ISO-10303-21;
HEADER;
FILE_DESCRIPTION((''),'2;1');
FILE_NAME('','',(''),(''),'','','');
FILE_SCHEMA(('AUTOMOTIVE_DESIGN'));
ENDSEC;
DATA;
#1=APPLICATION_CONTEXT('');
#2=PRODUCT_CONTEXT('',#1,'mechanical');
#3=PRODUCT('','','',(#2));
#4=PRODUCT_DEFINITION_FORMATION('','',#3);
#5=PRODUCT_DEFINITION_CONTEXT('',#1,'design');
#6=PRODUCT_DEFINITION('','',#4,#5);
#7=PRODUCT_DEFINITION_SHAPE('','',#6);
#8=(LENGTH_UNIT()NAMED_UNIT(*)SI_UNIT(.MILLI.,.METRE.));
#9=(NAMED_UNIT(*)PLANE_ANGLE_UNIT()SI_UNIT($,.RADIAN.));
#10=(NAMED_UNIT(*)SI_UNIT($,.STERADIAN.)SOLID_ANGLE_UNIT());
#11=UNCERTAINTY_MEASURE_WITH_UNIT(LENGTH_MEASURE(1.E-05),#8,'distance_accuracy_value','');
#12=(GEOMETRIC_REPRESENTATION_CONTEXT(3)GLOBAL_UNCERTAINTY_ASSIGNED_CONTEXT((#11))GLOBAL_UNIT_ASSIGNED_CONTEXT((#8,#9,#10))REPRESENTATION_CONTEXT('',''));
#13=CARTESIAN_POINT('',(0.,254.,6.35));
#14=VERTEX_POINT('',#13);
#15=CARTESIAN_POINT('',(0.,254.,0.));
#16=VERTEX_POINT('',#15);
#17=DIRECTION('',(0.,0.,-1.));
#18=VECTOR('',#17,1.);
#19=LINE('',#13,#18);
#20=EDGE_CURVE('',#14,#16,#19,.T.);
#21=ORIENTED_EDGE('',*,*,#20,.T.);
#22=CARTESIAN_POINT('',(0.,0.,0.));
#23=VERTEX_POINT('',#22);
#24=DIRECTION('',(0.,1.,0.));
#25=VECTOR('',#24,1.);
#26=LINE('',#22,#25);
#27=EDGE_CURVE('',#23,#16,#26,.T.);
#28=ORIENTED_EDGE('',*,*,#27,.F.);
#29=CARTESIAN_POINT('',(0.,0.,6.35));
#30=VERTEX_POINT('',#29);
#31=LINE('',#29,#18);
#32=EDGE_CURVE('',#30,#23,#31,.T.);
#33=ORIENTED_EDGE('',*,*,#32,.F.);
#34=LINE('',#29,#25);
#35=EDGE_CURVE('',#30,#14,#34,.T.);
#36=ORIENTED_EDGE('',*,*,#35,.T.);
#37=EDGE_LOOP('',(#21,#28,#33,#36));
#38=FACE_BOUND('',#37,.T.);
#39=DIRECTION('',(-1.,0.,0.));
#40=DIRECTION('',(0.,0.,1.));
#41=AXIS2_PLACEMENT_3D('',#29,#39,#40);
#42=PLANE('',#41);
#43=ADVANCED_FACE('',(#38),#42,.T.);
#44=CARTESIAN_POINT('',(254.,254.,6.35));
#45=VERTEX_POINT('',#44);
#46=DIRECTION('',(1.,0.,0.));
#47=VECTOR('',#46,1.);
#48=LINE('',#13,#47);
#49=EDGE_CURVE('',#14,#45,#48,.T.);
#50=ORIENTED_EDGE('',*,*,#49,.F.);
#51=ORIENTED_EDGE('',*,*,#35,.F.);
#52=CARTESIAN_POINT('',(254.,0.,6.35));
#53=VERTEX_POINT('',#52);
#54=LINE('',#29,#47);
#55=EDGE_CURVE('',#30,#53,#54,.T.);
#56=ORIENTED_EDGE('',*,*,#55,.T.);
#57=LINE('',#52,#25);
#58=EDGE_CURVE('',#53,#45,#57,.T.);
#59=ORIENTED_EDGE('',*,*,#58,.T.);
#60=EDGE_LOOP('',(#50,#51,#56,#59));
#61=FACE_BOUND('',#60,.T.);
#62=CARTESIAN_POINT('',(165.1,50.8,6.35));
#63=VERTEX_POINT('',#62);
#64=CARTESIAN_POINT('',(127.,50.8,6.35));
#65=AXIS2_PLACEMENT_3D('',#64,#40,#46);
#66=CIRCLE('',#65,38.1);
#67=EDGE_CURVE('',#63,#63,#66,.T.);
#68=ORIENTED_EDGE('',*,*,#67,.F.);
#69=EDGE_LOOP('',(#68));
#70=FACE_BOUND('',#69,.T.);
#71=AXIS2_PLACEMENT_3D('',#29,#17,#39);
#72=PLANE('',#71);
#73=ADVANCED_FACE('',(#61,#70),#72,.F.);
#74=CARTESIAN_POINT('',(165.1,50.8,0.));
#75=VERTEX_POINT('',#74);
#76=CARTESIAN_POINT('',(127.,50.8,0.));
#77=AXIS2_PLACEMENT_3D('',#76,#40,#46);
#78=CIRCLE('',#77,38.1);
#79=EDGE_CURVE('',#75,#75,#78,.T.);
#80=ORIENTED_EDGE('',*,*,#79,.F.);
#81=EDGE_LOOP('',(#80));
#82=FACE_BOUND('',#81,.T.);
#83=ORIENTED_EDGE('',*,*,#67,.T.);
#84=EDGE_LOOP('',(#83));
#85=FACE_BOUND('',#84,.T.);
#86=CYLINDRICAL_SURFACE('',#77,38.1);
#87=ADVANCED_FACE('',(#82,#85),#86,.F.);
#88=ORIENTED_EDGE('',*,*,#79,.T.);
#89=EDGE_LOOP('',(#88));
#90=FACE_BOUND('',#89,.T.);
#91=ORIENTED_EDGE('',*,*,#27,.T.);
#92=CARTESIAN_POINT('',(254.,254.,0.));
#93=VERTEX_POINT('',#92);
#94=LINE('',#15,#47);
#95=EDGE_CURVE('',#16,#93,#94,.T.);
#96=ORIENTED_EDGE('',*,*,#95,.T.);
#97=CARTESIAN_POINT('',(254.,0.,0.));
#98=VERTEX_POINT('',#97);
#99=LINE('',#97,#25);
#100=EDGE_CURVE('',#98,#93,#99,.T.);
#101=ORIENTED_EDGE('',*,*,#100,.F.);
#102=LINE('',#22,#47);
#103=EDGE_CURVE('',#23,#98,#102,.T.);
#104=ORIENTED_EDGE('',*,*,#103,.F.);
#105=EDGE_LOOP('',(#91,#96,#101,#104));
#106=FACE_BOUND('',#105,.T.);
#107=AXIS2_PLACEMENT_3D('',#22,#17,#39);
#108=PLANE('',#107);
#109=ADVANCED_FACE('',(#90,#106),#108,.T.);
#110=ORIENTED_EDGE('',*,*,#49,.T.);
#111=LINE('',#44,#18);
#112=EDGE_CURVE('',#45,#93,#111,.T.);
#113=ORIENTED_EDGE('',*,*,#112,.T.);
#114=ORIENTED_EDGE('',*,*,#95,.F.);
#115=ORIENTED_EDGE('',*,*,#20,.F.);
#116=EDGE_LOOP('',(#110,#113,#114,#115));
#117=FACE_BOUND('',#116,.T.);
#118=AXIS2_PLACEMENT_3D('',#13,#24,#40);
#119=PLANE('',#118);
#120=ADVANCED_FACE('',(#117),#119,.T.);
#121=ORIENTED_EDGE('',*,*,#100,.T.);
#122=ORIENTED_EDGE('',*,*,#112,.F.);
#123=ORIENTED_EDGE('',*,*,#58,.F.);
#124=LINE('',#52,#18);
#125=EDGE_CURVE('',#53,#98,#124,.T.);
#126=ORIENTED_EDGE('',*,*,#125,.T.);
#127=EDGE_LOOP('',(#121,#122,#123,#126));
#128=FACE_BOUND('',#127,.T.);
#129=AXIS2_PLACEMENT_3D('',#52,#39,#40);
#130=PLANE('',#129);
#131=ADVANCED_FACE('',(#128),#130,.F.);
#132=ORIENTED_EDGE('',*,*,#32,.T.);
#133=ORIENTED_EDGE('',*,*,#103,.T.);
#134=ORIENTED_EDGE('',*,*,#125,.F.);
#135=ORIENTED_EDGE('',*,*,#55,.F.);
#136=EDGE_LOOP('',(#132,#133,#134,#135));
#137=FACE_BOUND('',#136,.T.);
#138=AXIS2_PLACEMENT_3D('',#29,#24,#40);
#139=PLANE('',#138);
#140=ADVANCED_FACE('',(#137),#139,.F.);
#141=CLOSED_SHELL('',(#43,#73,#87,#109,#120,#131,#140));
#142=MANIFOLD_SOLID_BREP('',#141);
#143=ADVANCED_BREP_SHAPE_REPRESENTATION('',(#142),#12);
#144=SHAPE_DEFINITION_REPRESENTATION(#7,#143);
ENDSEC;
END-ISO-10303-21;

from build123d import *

# Parameters (mm, degrees)
SKETCH1_W           = 254
SKETCH1_H           = 254
BOSS_EXTRUDE1_DEPTH = 6.35
SKETCH2_R           = 38.1
CUT_EXTRUDE1_DEPTH  = 7.35


with BuildPart() as part:
    # Sketch1 → Boss-Extrude1 (new body)
    with BuildSketch(Plane.XY):
        with Locations((127, 127)):
            Rectangle(SKETCH1_W, SKETCH1_H)
    extrude(amount=BOSS_EXTRUDE1_DEPTH)

    # Sketch2 → Cut-Extrude1 (cut, through all)
    with BuildSketch(Plane.XY.offset(6.35)):
        with Locations((127, 50.8)):
            Circle(SKETCH2_R)
    extrude(amount=-CUT_EXTRUDE1_DEPTH, mode=Mode.SUBTRACT)


solid = part.part
